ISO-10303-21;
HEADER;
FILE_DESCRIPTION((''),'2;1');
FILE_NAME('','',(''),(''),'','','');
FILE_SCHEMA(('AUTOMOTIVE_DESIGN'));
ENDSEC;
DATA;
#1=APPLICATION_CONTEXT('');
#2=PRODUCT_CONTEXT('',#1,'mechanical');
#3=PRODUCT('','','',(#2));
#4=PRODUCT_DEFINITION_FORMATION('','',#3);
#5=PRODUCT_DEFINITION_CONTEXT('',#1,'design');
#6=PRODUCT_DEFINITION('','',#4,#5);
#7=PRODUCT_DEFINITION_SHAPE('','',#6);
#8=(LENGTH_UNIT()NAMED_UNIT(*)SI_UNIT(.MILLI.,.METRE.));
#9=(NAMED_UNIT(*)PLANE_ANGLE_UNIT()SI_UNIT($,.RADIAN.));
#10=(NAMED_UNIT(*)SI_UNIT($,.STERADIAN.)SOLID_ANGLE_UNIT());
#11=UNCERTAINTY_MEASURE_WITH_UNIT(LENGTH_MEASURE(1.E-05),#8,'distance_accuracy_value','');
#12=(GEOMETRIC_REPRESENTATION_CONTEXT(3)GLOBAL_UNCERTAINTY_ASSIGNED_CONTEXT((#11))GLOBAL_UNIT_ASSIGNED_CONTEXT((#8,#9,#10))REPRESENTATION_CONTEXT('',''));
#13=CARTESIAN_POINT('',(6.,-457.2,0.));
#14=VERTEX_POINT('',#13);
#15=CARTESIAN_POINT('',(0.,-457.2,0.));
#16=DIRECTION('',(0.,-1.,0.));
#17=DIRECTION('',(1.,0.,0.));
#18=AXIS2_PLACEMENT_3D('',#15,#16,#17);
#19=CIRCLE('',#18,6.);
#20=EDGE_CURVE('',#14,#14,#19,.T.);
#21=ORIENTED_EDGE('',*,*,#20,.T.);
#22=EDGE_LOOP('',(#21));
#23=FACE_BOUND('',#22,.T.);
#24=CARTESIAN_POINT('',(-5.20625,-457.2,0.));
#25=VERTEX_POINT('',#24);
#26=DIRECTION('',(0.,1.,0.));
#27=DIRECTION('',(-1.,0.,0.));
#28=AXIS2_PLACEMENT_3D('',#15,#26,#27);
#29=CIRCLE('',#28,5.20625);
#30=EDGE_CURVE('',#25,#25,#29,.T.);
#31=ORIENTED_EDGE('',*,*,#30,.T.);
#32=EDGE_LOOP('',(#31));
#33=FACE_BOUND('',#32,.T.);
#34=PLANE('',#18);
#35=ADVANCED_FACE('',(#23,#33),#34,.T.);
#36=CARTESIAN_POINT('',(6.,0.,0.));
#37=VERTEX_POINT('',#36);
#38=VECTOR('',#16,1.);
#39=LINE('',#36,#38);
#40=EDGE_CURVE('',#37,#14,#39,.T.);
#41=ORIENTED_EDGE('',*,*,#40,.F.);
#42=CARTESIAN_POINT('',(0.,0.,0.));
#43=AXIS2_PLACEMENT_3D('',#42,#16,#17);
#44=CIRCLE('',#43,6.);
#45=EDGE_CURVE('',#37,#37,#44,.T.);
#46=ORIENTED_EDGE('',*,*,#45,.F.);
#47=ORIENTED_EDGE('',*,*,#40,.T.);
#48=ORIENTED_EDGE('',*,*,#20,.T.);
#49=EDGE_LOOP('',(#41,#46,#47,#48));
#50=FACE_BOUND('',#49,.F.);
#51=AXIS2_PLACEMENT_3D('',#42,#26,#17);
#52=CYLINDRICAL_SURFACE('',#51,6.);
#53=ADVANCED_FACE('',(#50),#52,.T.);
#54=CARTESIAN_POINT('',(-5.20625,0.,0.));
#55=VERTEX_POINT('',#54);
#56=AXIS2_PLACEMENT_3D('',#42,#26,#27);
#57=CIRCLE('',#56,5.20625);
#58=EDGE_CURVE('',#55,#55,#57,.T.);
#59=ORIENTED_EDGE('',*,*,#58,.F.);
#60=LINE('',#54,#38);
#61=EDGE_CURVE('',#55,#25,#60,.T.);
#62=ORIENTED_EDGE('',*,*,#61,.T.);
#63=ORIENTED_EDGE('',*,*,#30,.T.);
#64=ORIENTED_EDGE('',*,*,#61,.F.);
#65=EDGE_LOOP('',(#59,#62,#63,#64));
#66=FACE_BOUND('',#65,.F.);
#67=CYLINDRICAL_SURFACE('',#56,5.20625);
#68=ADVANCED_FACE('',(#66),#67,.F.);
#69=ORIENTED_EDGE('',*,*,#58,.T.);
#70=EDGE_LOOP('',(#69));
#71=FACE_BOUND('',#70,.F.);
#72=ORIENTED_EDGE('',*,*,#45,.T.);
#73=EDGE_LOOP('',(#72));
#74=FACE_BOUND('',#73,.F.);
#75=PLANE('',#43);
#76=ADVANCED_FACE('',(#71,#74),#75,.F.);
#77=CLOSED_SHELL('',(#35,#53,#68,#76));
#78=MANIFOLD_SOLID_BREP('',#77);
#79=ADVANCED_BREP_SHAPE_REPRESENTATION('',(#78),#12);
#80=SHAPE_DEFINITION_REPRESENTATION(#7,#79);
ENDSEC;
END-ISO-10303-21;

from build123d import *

# Parameters (mm, degrees)
F0_R     = 6
F1_DEPTH = 457.2
F2_R     = 5.20625
F3_DEPTH = 457.201


with BuildPart() as f1:
    # F0 (on Front) → F1 (new body)
    with BuildSketch(Plane.XZ):
        Circle(F0_R)
    extrude(amount=F1_DEPTH)

    # F2 (on face) → F3 (cut, through all)
    with BuildSketch(Plane(origin=(0, 0, 0), x_dir=(-1, 0, 0), z_dir=(0, 1, 0))):
        Circle(F2_R)
    extrude(amount=-F3_DEPTH, mode=Mode.SUBTRACT)


solid = f1.part
